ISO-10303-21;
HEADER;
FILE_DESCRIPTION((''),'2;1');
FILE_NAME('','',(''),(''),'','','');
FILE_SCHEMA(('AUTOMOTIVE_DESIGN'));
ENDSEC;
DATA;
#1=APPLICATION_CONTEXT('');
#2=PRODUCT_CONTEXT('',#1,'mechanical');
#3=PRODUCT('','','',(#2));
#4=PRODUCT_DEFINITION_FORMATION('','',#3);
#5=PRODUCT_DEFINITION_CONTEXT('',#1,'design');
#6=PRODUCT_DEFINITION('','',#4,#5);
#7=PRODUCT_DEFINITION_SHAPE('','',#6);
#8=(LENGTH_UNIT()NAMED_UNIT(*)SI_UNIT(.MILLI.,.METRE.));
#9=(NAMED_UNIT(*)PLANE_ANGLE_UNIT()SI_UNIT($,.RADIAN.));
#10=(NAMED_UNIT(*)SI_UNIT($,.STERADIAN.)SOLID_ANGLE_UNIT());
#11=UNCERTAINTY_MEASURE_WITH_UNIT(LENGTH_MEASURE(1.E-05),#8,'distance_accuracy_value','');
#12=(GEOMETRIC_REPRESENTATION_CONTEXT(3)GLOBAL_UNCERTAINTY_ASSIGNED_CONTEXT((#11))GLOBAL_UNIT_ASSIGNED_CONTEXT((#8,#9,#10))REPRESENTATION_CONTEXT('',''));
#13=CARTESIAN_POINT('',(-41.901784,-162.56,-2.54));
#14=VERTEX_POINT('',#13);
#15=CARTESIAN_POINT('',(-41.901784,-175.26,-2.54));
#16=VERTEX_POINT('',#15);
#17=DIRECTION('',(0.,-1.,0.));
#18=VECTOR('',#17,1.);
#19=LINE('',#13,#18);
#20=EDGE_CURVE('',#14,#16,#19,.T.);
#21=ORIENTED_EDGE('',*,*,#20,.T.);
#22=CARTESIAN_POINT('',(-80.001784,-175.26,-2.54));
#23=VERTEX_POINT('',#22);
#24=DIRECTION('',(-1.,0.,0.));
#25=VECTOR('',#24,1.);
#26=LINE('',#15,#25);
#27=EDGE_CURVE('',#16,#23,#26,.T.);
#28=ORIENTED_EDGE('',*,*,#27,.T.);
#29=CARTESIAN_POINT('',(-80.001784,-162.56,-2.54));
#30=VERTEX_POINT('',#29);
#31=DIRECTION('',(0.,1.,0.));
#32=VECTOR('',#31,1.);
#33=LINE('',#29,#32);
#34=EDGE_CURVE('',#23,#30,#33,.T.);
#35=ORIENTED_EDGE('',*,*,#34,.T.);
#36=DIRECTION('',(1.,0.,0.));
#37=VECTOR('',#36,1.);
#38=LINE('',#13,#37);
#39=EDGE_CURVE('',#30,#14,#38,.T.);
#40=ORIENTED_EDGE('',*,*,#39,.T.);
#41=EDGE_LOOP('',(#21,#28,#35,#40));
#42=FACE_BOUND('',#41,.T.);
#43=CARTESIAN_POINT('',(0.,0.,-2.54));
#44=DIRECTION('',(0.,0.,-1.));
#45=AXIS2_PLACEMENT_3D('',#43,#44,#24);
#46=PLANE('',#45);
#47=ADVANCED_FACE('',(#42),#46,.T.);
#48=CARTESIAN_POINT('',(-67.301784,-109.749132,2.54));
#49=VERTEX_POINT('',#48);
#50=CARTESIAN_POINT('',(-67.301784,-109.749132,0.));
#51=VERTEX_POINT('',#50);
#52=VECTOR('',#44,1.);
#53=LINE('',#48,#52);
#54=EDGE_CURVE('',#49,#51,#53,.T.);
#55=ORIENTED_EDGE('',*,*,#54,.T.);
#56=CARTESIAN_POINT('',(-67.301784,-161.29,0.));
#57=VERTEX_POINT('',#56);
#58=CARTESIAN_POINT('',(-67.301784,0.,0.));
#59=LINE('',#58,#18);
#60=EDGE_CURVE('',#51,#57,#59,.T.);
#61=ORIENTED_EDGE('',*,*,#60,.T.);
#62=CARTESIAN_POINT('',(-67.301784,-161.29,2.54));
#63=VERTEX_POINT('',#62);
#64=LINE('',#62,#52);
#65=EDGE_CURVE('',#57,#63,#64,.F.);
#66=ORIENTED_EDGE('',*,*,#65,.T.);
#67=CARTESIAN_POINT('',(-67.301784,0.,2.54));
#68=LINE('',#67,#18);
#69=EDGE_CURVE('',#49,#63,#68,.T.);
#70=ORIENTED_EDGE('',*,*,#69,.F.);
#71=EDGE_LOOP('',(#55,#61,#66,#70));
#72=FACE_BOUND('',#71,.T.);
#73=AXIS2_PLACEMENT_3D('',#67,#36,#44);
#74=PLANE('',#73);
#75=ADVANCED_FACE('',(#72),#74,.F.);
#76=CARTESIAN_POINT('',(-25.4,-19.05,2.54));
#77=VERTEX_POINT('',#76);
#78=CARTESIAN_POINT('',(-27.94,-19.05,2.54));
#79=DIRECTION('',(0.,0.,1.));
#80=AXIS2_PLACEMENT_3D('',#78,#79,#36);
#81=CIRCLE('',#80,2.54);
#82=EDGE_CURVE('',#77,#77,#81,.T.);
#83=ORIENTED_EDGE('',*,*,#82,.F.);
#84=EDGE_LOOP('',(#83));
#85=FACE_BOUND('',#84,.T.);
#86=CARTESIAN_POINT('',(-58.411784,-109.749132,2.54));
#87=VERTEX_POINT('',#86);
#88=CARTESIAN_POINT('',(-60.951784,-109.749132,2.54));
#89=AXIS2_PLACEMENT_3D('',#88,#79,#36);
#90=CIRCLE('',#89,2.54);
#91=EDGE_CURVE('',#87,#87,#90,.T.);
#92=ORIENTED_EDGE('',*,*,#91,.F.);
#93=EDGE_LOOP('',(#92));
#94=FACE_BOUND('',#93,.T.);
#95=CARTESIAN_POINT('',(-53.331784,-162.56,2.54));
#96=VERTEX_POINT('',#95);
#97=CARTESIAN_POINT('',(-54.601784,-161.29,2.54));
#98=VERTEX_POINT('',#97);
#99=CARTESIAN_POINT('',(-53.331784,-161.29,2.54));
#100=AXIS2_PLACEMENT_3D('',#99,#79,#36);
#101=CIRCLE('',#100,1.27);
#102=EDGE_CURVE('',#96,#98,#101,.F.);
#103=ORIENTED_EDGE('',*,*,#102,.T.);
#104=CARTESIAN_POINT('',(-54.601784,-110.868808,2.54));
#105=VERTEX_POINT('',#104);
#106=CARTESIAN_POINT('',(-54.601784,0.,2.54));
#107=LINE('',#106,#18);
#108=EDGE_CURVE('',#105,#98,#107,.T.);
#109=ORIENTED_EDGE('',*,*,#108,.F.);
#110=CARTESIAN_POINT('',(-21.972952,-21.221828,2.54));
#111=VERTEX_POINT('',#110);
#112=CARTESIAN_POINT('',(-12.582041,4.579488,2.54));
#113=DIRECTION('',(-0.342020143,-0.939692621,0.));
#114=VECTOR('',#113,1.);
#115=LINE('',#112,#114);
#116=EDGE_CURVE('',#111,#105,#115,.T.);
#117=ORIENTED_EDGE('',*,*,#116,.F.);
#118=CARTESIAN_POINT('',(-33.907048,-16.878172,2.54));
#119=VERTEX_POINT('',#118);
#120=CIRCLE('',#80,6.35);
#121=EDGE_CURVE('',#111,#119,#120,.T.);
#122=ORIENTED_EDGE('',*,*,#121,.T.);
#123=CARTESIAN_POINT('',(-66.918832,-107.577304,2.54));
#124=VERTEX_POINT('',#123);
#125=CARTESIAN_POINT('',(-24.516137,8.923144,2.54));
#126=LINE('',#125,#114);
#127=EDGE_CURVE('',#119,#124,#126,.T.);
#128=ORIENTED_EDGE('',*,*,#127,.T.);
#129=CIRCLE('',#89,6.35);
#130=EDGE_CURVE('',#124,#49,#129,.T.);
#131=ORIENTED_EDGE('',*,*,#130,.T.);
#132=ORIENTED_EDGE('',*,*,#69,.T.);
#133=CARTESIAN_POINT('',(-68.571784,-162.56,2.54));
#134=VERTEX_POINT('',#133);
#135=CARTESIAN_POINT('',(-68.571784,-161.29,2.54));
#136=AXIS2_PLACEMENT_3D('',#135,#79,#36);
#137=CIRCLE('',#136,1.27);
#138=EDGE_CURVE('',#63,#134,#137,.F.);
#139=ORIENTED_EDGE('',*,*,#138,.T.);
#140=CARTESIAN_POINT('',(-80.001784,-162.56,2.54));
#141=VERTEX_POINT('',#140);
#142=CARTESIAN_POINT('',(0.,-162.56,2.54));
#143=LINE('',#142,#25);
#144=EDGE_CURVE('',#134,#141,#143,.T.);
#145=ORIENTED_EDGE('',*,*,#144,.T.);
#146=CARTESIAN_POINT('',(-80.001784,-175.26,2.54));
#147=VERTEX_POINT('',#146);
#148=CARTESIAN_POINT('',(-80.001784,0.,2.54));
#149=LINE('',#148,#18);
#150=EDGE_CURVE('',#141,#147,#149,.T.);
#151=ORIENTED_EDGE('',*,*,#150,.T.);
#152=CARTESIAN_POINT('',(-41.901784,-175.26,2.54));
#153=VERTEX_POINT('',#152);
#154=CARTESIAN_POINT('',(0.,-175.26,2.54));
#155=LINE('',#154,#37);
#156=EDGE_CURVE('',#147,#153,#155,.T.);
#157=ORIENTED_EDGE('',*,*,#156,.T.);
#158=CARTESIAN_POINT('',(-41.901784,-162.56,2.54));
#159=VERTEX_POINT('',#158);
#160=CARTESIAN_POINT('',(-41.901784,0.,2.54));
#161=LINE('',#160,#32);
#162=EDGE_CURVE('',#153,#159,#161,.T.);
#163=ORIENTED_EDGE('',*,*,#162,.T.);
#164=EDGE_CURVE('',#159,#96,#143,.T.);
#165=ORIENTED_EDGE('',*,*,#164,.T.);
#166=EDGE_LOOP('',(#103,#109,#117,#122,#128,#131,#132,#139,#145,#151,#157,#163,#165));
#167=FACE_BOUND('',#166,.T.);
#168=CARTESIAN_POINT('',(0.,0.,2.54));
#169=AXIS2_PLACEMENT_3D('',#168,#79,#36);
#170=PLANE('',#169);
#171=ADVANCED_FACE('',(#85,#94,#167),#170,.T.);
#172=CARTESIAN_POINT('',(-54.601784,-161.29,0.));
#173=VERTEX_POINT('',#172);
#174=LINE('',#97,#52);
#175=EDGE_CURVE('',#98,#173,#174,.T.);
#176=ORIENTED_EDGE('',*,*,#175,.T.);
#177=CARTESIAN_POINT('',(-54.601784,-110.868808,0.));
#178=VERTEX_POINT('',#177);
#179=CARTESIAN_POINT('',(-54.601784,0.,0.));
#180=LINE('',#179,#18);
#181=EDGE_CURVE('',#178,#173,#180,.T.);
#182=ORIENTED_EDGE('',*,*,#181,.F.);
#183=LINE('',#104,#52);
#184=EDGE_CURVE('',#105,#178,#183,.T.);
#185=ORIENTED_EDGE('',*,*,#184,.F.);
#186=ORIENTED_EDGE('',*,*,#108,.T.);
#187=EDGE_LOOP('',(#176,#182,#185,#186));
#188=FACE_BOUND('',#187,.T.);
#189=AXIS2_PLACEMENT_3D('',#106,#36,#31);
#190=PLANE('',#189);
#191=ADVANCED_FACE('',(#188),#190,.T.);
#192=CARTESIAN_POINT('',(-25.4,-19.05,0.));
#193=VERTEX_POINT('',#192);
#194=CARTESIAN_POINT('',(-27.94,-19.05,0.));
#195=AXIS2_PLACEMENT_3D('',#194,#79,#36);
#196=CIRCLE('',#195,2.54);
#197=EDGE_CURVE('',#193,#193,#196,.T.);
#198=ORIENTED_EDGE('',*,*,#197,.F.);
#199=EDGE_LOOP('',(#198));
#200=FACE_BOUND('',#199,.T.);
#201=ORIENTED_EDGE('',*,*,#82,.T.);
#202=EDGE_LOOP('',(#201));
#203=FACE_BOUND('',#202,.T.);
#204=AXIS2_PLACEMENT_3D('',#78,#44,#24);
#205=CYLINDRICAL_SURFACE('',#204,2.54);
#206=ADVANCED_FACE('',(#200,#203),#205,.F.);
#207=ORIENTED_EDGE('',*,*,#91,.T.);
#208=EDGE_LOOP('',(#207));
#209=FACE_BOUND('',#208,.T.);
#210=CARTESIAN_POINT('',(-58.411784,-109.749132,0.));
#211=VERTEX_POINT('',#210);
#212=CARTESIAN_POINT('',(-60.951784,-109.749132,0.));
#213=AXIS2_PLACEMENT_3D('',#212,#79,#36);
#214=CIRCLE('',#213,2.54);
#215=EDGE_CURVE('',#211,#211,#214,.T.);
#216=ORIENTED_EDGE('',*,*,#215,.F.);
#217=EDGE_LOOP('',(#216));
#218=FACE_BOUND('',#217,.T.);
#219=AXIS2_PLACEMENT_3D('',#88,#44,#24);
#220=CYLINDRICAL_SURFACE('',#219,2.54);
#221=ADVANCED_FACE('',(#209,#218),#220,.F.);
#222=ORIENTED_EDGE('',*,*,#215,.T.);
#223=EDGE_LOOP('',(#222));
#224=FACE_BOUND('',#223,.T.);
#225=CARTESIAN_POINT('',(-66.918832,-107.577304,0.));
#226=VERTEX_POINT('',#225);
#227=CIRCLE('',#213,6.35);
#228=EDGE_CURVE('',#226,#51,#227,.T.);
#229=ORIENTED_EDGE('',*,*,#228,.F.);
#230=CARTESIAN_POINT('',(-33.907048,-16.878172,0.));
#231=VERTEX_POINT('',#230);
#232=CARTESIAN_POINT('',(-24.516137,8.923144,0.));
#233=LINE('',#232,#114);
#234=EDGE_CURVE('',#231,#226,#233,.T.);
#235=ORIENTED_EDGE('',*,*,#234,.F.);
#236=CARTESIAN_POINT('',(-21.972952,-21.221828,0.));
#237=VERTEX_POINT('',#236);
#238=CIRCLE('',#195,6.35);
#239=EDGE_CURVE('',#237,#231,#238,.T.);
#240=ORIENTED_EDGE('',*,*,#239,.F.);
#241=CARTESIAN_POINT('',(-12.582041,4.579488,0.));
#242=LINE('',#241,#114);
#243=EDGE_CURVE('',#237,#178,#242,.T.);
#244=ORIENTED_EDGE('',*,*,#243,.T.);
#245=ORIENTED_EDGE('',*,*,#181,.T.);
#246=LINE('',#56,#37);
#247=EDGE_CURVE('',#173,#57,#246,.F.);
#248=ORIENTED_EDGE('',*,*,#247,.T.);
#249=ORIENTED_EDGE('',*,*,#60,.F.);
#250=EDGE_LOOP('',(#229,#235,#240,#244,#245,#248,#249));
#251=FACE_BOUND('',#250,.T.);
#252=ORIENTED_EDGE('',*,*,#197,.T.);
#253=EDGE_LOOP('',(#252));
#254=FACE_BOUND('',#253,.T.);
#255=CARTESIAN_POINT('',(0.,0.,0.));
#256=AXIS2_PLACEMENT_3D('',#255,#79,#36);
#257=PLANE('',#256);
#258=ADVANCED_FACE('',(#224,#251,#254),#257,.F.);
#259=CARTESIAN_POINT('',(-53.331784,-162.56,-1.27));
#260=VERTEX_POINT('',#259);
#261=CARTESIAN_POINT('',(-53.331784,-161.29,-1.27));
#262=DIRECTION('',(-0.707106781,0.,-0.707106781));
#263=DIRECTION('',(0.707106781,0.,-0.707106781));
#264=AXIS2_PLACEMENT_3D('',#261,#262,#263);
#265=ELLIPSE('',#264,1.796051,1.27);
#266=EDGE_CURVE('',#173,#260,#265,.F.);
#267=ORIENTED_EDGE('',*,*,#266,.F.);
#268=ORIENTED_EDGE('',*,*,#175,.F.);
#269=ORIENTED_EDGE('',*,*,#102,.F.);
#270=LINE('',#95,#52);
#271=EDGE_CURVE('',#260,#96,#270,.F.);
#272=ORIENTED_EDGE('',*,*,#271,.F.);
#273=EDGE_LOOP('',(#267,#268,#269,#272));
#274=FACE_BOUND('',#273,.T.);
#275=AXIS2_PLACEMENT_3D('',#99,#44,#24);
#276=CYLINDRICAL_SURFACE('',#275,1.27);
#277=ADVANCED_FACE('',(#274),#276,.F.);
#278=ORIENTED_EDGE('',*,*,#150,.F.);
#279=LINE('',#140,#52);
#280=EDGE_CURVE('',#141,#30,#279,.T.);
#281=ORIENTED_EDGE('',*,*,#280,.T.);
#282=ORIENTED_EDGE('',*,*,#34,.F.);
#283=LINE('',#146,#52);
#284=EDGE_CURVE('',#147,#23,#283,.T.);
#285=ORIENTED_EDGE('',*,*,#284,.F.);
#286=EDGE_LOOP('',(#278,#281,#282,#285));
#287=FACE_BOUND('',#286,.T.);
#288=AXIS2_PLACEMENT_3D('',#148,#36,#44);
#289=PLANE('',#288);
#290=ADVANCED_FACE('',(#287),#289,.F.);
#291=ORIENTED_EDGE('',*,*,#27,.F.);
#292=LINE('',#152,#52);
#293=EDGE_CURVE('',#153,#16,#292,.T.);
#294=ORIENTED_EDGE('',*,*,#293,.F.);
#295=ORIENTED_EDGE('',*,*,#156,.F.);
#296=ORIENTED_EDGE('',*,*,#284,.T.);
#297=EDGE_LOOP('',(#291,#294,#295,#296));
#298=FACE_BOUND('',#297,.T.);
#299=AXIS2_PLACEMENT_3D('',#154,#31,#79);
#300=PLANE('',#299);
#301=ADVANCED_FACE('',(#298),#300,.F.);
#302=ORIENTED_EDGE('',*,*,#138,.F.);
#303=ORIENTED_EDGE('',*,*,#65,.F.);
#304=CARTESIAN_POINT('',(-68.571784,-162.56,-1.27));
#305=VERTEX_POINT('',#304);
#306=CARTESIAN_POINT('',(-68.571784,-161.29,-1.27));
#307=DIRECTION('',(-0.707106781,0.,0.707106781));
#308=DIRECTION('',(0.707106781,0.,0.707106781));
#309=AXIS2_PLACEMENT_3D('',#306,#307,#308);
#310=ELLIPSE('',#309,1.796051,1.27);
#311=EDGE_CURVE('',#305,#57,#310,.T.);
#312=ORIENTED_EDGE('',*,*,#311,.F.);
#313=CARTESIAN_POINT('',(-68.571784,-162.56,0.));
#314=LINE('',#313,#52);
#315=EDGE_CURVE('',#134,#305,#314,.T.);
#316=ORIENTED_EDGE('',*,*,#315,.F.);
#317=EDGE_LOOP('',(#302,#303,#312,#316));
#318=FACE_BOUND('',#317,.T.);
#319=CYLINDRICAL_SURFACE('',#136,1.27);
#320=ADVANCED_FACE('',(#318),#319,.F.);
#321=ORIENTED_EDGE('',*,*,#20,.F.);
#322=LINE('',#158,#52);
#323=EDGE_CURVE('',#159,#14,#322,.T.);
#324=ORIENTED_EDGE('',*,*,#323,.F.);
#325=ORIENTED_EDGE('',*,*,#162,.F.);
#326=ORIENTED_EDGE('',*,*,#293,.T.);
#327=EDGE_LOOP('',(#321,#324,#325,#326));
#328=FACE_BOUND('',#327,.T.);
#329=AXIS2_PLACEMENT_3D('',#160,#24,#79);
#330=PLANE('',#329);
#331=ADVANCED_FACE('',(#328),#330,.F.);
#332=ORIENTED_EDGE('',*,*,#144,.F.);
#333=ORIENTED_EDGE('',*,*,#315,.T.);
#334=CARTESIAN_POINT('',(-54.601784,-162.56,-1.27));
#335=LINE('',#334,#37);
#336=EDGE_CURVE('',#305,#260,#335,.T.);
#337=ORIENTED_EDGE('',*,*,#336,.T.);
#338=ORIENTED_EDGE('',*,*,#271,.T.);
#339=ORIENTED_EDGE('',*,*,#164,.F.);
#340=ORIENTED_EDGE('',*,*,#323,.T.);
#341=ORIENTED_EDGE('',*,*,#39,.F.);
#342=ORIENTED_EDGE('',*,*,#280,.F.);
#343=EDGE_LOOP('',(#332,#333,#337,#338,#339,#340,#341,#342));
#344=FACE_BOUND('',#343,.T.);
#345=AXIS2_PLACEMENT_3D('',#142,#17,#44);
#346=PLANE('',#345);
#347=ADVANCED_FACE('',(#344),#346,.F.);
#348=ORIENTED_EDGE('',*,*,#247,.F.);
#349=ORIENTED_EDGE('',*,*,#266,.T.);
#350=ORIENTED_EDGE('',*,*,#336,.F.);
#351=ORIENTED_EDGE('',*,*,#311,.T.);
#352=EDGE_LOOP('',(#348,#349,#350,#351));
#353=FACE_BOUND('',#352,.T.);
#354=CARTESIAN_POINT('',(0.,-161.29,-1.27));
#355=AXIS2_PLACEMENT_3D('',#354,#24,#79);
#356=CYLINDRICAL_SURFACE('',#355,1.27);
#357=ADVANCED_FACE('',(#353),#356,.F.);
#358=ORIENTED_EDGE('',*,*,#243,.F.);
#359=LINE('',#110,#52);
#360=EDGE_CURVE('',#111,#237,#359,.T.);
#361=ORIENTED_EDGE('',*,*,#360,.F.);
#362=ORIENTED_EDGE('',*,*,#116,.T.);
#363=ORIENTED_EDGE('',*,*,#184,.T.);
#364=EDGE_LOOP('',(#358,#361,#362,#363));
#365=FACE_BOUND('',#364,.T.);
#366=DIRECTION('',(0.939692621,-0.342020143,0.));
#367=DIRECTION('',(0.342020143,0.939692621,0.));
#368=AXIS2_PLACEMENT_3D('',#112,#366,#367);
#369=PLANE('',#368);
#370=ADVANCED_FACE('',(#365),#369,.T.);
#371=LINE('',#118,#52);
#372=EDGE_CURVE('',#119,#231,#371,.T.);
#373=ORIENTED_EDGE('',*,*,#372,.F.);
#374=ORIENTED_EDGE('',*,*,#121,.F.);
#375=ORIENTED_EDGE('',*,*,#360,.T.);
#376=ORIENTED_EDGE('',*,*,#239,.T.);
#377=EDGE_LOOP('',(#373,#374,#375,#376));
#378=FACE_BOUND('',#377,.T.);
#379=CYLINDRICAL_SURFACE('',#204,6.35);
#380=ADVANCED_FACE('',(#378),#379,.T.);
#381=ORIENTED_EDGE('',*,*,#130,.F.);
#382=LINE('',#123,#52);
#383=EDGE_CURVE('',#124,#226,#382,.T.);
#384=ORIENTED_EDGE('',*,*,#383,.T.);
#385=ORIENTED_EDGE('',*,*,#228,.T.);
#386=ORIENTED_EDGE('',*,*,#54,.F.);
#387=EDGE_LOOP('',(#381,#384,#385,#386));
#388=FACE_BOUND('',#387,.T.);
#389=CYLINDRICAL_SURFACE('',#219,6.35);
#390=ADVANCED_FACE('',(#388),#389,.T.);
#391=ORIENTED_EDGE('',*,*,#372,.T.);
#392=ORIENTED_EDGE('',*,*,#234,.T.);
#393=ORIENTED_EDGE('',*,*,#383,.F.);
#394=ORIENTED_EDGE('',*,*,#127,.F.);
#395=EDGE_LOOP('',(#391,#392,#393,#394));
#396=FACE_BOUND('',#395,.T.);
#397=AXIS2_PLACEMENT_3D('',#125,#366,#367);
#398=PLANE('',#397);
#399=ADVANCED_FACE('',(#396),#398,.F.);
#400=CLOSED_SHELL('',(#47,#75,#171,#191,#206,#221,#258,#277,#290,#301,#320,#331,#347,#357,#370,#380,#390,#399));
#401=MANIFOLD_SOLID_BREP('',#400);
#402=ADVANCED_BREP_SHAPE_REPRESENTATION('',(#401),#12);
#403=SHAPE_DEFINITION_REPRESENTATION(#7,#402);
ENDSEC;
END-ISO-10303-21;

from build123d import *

# Parameters (mm, degrees)
SKETCH1_R           = 2.54
BOSS_EXTRUDE1_DEPTH = 2.54
SKETCH2_W           = 38.1
SKETCH2_H           = 12.7
BOSS_EXTRUDE2_DEPTH = 2.54
FILLET1_R           = 1.27


with BuildPart() as part:
    # Sketch1 → Boss-Extrude1 (new body)
    with BuildSketch(Plane.XY):
        with BuildLine():
            Line((-54.601784234, -110.868808086), (-21.972951858, -21.22182791))
            ThreePointArc((-21.972951858, -21.22182791), (-25.76817209, -13.082951858), (-33.907048142, -16.87817209))
            Line((-33.907048142, -16.87817209), (-66.918832376, -107.577303848))
            ThreePointArc((-66.918832376, -107.577303848), (-67.205313465, -108.64646583), (-67.301784234, -109.749131758))
            Line((-67.301784234, -109.749131758), (-67.301784234, -162.56))
            Line((-67.301784234, -162.56), (-80.001784234, -162.56))
            Line((-80.001784234, -162.56), (-80.001784234, -175.26))
            Line((-80.001784234, -175.26), (-41.901784234, -175.26))
            Line((-41.901784234, -175.26), (-41.901784234, -162.56))
            Line((-41.901784234, -162.56), (-54.601784234, -162.56))
            Line((-54.601784234, -162.56), (-54.601784234, -110.868808086))
        make_face()
        with Locations((-27.94, -19.05)):
            Circle(SKETCH1_R, mode=Mode.SUBTRACT)
        with Locations((-60.951784234, -109.749131758)):
            Circle(SKETCH1_R, mode=Mode.SUBTRACT)
    extrude(amount=BOSS_EXTRUDE1_DEPTH)

    # Sketch2 → Boss-Extrude2 (add)
    with BuildSketch(Plane(origin=(0, 0, 0), x_dir=(-1, 0, 0), z_dir=(0, 0, -1))):
        with Locations((60.951784234, -168.91)):
            Rectangle(SKETCH2_W, SKETCH2_H)
    extrude(amount=BOSS_EXTRUDE2_DEPTH)

    # Fillet1
    fillet1_edges = [part.edges().sort_by_distance(p)[0] for p in [
        (-54.601784234, -162.56, 1.27),
        (-67.301784234, -162.56, 1.27),
        (-60.951784234, -162.56, 0),
    ]]
    fillet(fillet1_edges, radius=FILLET1_R)


solid = part.part
